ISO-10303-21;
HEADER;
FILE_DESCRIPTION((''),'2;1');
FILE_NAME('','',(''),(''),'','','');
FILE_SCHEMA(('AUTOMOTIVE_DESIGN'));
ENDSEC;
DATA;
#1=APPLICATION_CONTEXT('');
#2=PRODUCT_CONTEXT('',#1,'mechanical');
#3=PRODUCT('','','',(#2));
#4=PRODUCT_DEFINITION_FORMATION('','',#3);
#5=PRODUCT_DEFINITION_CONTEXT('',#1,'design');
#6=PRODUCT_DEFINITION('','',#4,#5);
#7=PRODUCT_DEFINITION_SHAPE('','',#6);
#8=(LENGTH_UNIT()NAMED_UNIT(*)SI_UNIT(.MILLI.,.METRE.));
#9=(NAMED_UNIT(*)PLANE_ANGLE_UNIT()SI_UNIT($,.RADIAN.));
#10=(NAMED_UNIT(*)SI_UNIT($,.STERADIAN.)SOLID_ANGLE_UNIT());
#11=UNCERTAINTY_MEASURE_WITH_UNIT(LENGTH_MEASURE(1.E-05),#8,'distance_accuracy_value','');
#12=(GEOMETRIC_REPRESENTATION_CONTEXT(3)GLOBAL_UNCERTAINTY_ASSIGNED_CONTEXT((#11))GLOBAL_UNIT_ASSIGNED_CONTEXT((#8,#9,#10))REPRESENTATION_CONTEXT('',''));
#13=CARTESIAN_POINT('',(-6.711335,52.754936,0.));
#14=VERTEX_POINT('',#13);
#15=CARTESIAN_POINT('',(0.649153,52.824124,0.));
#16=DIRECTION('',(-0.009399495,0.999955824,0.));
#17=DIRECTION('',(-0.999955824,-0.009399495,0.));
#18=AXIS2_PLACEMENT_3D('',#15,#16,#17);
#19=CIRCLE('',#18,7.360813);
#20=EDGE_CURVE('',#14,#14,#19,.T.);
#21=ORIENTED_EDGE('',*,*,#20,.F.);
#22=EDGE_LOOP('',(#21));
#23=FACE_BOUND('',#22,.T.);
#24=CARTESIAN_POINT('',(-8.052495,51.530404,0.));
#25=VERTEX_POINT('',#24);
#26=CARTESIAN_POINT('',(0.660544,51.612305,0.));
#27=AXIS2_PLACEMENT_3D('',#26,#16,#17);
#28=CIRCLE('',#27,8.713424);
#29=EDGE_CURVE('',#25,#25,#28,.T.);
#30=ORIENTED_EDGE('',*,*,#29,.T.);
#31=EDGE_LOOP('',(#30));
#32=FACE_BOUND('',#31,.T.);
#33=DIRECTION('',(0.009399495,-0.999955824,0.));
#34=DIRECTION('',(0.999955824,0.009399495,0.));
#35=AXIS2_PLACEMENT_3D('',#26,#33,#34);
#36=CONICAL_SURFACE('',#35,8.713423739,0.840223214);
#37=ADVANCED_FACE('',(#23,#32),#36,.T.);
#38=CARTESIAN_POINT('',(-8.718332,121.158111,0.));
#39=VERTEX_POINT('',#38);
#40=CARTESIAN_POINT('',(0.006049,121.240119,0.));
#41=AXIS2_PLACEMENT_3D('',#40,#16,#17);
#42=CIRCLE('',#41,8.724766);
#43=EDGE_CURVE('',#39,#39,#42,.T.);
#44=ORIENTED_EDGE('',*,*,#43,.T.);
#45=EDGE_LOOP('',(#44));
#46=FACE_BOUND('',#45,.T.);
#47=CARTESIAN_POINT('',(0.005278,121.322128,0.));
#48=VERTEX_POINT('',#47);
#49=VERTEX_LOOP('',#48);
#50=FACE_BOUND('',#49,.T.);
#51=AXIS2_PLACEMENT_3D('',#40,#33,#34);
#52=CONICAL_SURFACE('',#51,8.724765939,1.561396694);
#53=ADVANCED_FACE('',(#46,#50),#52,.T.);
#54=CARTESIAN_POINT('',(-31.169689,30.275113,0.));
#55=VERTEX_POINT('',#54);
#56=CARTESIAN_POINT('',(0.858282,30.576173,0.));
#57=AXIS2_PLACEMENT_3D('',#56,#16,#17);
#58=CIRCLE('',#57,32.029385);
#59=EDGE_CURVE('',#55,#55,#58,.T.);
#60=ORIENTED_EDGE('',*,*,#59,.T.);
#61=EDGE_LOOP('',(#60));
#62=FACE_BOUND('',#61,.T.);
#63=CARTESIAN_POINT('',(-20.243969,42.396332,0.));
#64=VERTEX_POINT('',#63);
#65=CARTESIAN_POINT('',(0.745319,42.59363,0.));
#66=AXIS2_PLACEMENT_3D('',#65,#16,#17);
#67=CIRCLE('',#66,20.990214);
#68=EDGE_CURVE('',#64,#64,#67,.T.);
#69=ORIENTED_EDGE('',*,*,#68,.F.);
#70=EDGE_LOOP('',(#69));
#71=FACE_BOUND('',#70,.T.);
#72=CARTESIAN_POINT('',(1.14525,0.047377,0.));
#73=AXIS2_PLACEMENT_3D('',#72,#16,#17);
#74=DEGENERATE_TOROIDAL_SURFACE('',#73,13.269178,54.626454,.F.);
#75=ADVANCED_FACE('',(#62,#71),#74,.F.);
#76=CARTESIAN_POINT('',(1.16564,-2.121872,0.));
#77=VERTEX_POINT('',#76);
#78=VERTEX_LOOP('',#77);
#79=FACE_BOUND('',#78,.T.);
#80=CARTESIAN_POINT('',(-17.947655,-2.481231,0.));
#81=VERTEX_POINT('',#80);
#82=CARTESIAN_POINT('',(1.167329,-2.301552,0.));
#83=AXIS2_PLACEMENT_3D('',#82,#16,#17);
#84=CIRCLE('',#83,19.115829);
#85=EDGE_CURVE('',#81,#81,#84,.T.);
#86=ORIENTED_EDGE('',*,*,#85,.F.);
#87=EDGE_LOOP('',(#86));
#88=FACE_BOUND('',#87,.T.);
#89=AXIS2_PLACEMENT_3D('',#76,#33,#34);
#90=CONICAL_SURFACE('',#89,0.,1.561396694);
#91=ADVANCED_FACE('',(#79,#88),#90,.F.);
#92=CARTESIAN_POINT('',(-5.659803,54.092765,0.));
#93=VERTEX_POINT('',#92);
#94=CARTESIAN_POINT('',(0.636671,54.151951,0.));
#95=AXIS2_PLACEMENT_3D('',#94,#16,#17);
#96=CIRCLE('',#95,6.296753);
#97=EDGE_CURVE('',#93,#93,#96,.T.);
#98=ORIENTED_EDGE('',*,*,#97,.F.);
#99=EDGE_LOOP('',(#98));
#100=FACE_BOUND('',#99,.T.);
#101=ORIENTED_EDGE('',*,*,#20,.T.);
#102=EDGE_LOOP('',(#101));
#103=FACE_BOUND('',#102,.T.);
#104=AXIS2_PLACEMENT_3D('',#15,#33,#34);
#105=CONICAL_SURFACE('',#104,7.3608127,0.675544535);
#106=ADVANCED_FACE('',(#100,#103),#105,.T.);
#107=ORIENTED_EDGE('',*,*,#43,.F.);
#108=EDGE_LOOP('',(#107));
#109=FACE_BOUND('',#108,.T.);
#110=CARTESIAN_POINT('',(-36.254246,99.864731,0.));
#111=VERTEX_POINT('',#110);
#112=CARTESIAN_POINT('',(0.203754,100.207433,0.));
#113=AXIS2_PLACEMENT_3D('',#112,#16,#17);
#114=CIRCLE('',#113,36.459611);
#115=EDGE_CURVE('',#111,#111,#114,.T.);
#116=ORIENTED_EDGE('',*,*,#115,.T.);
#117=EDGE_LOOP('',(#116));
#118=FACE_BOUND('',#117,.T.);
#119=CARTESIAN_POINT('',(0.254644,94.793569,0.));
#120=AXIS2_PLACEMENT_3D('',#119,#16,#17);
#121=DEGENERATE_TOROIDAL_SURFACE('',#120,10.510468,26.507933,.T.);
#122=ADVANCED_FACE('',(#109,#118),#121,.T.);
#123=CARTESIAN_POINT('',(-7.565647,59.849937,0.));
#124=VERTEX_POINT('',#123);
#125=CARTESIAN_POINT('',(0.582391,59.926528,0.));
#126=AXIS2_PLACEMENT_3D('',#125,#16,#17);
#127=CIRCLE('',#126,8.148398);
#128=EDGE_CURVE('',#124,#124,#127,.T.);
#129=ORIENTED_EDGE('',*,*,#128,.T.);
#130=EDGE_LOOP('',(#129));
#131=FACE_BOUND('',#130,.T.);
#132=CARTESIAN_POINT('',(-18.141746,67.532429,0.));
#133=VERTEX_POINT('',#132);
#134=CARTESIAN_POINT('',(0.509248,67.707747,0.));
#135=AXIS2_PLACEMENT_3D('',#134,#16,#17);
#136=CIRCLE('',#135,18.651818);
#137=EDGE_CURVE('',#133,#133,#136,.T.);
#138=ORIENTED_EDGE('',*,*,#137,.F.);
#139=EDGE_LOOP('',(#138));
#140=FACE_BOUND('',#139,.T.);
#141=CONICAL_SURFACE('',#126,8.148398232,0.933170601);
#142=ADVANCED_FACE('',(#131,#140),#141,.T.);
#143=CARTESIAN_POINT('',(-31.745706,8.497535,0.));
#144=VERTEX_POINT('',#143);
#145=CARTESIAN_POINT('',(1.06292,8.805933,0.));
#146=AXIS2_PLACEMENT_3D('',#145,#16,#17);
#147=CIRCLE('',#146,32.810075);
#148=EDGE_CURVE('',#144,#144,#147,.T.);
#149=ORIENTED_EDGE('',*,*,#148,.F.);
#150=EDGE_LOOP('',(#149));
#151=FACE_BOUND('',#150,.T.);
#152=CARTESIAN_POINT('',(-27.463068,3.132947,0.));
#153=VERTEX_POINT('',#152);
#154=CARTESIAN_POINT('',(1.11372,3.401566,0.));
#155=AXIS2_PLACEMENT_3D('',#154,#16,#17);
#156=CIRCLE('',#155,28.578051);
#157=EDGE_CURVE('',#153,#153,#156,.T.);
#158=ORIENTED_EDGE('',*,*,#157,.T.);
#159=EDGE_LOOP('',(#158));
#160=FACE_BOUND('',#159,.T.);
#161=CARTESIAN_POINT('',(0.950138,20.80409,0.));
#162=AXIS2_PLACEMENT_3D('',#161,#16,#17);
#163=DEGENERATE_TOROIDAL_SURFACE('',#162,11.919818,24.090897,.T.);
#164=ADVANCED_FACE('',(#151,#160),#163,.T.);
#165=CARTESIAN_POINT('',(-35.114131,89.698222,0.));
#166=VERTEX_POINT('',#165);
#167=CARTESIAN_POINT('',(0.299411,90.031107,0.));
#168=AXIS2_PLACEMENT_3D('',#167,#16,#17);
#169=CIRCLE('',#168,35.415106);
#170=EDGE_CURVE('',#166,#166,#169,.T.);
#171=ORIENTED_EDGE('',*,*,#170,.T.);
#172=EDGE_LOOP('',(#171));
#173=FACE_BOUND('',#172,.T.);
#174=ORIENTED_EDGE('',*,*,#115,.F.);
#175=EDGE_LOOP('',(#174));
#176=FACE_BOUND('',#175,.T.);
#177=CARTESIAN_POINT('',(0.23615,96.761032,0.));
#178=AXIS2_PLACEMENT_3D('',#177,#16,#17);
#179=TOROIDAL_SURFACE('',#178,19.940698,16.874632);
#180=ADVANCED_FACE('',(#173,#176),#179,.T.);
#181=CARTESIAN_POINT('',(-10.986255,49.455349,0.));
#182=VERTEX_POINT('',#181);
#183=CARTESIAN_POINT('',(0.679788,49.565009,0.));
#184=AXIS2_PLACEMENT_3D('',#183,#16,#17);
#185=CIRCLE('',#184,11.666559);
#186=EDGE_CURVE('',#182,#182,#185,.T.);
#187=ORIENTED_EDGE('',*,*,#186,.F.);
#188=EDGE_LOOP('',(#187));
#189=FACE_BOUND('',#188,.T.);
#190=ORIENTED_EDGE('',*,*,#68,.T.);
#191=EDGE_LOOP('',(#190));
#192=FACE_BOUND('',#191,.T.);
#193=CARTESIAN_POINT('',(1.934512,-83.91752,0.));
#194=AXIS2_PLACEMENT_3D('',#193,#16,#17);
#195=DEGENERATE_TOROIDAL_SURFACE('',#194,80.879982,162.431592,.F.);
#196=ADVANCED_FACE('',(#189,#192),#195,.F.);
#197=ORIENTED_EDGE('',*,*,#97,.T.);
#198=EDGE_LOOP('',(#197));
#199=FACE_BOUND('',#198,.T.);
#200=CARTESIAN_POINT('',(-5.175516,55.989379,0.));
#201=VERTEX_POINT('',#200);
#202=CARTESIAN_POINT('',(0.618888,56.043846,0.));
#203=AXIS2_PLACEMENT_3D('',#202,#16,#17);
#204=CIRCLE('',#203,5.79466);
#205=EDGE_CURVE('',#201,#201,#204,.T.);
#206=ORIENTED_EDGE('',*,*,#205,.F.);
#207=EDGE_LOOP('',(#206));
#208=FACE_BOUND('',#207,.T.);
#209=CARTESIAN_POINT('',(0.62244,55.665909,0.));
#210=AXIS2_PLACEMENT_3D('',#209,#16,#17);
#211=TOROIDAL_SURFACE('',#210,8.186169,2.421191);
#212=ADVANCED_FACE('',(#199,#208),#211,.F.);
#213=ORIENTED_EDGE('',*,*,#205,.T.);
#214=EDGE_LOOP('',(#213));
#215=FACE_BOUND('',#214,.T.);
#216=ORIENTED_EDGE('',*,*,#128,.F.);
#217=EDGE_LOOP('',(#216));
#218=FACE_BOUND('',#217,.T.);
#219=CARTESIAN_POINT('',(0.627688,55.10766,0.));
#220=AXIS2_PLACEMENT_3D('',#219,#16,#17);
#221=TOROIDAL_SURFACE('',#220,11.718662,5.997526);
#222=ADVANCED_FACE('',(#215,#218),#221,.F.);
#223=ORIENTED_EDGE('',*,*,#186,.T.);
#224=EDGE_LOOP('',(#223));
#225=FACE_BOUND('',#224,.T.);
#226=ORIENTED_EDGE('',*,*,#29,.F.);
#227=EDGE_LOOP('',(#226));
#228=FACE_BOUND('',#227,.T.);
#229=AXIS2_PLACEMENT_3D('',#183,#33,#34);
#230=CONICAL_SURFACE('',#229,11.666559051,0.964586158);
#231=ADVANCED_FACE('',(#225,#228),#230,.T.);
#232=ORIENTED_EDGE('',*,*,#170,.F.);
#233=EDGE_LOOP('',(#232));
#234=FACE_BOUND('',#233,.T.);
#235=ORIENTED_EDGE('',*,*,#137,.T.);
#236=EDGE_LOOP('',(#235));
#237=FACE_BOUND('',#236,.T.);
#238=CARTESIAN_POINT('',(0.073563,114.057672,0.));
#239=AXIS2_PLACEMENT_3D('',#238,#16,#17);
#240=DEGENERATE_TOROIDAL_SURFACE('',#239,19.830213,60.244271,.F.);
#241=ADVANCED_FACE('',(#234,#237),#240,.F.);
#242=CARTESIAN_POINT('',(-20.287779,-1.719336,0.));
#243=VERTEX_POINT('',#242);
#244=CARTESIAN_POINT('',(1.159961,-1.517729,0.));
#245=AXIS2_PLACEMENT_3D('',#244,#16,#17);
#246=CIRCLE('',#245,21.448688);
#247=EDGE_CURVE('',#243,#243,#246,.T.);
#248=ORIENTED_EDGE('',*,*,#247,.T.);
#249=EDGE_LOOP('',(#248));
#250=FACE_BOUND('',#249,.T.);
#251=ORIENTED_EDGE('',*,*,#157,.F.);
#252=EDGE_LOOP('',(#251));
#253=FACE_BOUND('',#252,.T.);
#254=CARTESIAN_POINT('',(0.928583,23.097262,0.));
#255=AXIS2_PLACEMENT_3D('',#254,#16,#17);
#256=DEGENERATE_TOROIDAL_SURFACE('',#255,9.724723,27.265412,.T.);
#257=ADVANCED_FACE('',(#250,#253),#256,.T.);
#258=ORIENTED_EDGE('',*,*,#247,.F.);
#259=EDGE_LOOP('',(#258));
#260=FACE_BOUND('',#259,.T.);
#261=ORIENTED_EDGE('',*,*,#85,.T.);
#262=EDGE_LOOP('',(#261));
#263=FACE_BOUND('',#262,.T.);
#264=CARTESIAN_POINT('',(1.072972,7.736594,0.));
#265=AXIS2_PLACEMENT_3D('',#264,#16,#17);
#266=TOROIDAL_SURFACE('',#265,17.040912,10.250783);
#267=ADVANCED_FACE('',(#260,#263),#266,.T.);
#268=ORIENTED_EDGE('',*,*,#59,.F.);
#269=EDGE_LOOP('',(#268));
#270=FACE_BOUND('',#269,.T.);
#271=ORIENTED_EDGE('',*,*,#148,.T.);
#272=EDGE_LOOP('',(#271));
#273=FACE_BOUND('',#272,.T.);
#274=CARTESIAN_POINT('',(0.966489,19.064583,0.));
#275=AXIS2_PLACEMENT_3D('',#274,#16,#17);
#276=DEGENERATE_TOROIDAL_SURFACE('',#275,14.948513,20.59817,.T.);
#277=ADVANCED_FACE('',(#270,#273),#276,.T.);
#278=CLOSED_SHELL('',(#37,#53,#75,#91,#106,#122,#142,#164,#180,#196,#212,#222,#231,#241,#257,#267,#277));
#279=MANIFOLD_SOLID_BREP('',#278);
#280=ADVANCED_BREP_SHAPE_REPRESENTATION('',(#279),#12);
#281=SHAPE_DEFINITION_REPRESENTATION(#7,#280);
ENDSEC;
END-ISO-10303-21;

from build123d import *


with BuildPart() as part:
    # Sketch1 → Revolve7 (revolve)
    with BuildSketch(Plane.XY, mode=Mode.PRIVATE) as revolve7_sk:
        with BuildLine():
            Line((0.005277751, 121.322127617), (8.730429134, 121.322127617))
            ThreePointArc((8.730429134, 121.322127617), (26.583253063, 116.163052209), (36.661754215, 100.550134615))
            ThreePointArc((36.661754215, 100.550134615), (36.977867771, 95.383429099), (35.712952177, 90.363990662))
            ThreePointArc((35.712952177, 90.363990662), (28.756780257, 78.151476585), (19.160242416, 67.883064374))
            Line((19.160242416, 67.883064374), (8.730429134, 60.003118726))
            ThreePointArc((8.730429134, 60.003118726), (7.188053174, 58.278469522), (6.4132916, 56.098312881))
            ThreePointArc((6.4132916, 56.098312881), (6.474001375, 55.099847398), (6.933146007, 54.211137544))
            Line((6.933146007, 54.211137544), (8.009640354, 52.893311881))
            Line((8.009640354, 52.893311881), (9.373582625, 51.694207193))
            Line((9.373582625, 51.694207193), (12.345831881, 49.674668697))
            ThreePointArc((12.345831881, 49.674668697), (17.101910845, 46.31694011), (21.734605697, 42.790927235))
            ThreePointArc((21.734605697, 42.790927235), (27.757810181, 37.252845213), (32.88625169, 30.877232896))
            ThreePointArc((32.88625169, 30.877232896), (36.491433717, 20.136699132), (33.87154544, 9.114331492))
            ThreePointArc((33.87154544, 9.114331492), (31.975925802, 6.242578427), (29.690508482, 3.670185155))
            ThreePointArc((29.690508482, 3.670185155), (26.348382743, 0.893967319), (22.607701735, -1.316122164))
            ThreePointArc((22.607701735, -1.316122164), (21.469276076, -1.789036005), (20.282313387, -2.121872383))
            Line((20.282313387, -2.121872383), (1.165640252, -2.121872383))
            Line((1.165640252, -2.121872383), (0.005277751, 121.322127617))
        make_face()
    revolve(revolve7_sk.sketch.rotate(Axis((0.005277751, 121.322127617, 0), (0.009399494831836323, -0.9999558237726837, 0)), 180), axis=Axis((0.005277751, 121.322127617, 0), (0.009399494831836323, -0.9999558237726837, 0)))


solid = part.part
